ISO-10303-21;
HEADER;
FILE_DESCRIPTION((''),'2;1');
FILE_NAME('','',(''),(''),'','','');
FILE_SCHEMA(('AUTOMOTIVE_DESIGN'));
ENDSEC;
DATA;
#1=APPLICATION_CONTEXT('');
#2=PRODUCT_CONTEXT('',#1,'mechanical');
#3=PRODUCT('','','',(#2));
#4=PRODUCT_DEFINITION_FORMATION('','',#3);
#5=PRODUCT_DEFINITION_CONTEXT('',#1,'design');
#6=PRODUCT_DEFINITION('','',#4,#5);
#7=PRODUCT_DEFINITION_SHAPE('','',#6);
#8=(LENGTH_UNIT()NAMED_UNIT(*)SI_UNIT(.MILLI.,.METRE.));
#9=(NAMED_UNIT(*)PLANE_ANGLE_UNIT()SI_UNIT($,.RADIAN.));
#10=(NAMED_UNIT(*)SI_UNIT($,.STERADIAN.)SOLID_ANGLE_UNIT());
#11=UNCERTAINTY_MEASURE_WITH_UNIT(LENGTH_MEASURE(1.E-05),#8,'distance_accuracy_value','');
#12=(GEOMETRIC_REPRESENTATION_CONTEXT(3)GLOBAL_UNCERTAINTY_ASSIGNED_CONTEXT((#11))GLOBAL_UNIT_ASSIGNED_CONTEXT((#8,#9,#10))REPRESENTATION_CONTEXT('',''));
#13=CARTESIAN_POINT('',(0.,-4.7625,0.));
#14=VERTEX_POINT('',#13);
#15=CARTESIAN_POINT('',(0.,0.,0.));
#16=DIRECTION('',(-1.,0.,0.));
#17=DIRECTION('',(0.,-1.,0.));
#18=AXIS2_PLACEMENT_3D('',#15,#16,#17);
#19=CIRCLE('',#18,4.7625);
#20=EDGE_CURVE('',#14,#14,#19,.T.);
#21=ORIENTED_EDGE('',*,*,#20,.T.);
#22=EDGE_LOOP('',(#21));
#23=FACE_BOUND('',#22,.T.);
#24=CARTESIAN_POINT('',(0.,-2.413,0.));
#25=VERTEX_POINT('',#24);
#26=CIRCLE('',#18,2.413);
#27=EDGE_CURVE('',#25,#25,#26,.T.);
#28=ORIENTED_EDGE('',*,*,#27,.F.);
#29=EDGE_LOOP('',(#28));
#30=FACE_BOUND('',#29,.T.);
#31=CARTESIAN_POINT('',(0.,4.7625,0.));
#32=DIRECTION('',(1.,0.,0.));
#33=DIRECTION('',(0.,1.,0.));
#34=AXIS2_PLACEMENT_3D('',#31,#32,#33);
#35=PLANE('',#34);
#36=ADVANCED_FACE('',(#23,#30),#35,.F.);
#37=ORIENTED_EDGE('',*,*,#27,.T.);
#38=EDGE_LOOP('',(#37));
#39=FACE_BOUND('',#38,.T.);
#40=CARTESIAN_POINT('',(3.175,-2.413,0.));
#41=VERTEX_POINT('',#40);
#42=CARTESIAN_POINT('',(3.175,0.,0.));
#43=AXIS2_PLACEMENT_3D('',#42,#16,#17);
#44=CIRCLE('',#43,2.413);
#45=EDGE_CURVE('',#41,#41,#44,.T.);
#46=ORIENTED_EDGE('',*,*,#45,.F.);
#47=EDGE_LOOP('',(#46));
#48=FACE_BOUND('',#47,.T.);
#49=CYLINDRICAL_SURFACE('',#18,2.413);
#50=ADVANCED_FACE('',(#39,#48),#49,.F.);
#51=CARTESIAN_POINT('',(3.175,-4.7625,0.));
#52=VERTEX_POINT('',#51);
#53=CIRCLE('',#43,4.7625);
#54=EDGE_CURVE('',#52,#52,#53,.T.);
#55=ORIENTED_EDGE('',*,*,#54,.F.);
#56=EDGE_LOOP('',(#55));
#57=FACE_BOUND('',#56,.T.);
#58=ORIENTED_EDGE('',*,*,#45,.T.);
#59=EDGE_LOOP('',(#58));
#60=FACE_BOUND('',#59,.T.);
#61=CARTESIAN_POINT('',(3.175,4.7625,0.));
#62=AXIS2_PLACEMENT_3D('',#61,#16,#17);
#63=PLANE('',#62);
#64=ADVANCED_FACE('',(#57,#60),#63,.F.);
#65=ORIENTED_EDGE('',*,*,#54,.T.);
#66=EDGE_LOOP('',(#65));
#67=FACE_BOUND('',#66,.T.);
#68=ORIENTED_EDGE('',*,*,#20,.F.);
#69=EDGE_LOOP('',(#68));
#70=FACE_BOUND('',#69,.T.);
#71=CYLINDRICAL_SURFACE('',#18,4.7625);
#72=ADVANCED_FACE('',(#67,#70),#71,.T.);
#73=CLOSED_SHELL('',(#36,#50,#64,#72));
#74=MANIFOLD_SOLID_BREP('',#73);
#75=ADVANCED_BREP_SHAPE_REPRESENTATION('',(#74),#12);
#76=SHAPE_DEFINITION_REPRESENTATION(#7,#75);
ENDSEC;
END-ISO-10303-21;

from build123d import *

# Parameters (mm, degrees)
SKETCH1_W = 3.175
SKETCH1_H = 2.3495


with BuildPart() as part:
    # Sketch1 → Revolve1 (revolve)
    with BuildSketch(Plane.XY):
        with Locations((1.5875, 3.58775)):
            Rectangle(SKETCH1_W, SKETCH1_H)
    revolve(axis=Axis((0, 0, 0), (1, 0, 0)))


solid = part.part
